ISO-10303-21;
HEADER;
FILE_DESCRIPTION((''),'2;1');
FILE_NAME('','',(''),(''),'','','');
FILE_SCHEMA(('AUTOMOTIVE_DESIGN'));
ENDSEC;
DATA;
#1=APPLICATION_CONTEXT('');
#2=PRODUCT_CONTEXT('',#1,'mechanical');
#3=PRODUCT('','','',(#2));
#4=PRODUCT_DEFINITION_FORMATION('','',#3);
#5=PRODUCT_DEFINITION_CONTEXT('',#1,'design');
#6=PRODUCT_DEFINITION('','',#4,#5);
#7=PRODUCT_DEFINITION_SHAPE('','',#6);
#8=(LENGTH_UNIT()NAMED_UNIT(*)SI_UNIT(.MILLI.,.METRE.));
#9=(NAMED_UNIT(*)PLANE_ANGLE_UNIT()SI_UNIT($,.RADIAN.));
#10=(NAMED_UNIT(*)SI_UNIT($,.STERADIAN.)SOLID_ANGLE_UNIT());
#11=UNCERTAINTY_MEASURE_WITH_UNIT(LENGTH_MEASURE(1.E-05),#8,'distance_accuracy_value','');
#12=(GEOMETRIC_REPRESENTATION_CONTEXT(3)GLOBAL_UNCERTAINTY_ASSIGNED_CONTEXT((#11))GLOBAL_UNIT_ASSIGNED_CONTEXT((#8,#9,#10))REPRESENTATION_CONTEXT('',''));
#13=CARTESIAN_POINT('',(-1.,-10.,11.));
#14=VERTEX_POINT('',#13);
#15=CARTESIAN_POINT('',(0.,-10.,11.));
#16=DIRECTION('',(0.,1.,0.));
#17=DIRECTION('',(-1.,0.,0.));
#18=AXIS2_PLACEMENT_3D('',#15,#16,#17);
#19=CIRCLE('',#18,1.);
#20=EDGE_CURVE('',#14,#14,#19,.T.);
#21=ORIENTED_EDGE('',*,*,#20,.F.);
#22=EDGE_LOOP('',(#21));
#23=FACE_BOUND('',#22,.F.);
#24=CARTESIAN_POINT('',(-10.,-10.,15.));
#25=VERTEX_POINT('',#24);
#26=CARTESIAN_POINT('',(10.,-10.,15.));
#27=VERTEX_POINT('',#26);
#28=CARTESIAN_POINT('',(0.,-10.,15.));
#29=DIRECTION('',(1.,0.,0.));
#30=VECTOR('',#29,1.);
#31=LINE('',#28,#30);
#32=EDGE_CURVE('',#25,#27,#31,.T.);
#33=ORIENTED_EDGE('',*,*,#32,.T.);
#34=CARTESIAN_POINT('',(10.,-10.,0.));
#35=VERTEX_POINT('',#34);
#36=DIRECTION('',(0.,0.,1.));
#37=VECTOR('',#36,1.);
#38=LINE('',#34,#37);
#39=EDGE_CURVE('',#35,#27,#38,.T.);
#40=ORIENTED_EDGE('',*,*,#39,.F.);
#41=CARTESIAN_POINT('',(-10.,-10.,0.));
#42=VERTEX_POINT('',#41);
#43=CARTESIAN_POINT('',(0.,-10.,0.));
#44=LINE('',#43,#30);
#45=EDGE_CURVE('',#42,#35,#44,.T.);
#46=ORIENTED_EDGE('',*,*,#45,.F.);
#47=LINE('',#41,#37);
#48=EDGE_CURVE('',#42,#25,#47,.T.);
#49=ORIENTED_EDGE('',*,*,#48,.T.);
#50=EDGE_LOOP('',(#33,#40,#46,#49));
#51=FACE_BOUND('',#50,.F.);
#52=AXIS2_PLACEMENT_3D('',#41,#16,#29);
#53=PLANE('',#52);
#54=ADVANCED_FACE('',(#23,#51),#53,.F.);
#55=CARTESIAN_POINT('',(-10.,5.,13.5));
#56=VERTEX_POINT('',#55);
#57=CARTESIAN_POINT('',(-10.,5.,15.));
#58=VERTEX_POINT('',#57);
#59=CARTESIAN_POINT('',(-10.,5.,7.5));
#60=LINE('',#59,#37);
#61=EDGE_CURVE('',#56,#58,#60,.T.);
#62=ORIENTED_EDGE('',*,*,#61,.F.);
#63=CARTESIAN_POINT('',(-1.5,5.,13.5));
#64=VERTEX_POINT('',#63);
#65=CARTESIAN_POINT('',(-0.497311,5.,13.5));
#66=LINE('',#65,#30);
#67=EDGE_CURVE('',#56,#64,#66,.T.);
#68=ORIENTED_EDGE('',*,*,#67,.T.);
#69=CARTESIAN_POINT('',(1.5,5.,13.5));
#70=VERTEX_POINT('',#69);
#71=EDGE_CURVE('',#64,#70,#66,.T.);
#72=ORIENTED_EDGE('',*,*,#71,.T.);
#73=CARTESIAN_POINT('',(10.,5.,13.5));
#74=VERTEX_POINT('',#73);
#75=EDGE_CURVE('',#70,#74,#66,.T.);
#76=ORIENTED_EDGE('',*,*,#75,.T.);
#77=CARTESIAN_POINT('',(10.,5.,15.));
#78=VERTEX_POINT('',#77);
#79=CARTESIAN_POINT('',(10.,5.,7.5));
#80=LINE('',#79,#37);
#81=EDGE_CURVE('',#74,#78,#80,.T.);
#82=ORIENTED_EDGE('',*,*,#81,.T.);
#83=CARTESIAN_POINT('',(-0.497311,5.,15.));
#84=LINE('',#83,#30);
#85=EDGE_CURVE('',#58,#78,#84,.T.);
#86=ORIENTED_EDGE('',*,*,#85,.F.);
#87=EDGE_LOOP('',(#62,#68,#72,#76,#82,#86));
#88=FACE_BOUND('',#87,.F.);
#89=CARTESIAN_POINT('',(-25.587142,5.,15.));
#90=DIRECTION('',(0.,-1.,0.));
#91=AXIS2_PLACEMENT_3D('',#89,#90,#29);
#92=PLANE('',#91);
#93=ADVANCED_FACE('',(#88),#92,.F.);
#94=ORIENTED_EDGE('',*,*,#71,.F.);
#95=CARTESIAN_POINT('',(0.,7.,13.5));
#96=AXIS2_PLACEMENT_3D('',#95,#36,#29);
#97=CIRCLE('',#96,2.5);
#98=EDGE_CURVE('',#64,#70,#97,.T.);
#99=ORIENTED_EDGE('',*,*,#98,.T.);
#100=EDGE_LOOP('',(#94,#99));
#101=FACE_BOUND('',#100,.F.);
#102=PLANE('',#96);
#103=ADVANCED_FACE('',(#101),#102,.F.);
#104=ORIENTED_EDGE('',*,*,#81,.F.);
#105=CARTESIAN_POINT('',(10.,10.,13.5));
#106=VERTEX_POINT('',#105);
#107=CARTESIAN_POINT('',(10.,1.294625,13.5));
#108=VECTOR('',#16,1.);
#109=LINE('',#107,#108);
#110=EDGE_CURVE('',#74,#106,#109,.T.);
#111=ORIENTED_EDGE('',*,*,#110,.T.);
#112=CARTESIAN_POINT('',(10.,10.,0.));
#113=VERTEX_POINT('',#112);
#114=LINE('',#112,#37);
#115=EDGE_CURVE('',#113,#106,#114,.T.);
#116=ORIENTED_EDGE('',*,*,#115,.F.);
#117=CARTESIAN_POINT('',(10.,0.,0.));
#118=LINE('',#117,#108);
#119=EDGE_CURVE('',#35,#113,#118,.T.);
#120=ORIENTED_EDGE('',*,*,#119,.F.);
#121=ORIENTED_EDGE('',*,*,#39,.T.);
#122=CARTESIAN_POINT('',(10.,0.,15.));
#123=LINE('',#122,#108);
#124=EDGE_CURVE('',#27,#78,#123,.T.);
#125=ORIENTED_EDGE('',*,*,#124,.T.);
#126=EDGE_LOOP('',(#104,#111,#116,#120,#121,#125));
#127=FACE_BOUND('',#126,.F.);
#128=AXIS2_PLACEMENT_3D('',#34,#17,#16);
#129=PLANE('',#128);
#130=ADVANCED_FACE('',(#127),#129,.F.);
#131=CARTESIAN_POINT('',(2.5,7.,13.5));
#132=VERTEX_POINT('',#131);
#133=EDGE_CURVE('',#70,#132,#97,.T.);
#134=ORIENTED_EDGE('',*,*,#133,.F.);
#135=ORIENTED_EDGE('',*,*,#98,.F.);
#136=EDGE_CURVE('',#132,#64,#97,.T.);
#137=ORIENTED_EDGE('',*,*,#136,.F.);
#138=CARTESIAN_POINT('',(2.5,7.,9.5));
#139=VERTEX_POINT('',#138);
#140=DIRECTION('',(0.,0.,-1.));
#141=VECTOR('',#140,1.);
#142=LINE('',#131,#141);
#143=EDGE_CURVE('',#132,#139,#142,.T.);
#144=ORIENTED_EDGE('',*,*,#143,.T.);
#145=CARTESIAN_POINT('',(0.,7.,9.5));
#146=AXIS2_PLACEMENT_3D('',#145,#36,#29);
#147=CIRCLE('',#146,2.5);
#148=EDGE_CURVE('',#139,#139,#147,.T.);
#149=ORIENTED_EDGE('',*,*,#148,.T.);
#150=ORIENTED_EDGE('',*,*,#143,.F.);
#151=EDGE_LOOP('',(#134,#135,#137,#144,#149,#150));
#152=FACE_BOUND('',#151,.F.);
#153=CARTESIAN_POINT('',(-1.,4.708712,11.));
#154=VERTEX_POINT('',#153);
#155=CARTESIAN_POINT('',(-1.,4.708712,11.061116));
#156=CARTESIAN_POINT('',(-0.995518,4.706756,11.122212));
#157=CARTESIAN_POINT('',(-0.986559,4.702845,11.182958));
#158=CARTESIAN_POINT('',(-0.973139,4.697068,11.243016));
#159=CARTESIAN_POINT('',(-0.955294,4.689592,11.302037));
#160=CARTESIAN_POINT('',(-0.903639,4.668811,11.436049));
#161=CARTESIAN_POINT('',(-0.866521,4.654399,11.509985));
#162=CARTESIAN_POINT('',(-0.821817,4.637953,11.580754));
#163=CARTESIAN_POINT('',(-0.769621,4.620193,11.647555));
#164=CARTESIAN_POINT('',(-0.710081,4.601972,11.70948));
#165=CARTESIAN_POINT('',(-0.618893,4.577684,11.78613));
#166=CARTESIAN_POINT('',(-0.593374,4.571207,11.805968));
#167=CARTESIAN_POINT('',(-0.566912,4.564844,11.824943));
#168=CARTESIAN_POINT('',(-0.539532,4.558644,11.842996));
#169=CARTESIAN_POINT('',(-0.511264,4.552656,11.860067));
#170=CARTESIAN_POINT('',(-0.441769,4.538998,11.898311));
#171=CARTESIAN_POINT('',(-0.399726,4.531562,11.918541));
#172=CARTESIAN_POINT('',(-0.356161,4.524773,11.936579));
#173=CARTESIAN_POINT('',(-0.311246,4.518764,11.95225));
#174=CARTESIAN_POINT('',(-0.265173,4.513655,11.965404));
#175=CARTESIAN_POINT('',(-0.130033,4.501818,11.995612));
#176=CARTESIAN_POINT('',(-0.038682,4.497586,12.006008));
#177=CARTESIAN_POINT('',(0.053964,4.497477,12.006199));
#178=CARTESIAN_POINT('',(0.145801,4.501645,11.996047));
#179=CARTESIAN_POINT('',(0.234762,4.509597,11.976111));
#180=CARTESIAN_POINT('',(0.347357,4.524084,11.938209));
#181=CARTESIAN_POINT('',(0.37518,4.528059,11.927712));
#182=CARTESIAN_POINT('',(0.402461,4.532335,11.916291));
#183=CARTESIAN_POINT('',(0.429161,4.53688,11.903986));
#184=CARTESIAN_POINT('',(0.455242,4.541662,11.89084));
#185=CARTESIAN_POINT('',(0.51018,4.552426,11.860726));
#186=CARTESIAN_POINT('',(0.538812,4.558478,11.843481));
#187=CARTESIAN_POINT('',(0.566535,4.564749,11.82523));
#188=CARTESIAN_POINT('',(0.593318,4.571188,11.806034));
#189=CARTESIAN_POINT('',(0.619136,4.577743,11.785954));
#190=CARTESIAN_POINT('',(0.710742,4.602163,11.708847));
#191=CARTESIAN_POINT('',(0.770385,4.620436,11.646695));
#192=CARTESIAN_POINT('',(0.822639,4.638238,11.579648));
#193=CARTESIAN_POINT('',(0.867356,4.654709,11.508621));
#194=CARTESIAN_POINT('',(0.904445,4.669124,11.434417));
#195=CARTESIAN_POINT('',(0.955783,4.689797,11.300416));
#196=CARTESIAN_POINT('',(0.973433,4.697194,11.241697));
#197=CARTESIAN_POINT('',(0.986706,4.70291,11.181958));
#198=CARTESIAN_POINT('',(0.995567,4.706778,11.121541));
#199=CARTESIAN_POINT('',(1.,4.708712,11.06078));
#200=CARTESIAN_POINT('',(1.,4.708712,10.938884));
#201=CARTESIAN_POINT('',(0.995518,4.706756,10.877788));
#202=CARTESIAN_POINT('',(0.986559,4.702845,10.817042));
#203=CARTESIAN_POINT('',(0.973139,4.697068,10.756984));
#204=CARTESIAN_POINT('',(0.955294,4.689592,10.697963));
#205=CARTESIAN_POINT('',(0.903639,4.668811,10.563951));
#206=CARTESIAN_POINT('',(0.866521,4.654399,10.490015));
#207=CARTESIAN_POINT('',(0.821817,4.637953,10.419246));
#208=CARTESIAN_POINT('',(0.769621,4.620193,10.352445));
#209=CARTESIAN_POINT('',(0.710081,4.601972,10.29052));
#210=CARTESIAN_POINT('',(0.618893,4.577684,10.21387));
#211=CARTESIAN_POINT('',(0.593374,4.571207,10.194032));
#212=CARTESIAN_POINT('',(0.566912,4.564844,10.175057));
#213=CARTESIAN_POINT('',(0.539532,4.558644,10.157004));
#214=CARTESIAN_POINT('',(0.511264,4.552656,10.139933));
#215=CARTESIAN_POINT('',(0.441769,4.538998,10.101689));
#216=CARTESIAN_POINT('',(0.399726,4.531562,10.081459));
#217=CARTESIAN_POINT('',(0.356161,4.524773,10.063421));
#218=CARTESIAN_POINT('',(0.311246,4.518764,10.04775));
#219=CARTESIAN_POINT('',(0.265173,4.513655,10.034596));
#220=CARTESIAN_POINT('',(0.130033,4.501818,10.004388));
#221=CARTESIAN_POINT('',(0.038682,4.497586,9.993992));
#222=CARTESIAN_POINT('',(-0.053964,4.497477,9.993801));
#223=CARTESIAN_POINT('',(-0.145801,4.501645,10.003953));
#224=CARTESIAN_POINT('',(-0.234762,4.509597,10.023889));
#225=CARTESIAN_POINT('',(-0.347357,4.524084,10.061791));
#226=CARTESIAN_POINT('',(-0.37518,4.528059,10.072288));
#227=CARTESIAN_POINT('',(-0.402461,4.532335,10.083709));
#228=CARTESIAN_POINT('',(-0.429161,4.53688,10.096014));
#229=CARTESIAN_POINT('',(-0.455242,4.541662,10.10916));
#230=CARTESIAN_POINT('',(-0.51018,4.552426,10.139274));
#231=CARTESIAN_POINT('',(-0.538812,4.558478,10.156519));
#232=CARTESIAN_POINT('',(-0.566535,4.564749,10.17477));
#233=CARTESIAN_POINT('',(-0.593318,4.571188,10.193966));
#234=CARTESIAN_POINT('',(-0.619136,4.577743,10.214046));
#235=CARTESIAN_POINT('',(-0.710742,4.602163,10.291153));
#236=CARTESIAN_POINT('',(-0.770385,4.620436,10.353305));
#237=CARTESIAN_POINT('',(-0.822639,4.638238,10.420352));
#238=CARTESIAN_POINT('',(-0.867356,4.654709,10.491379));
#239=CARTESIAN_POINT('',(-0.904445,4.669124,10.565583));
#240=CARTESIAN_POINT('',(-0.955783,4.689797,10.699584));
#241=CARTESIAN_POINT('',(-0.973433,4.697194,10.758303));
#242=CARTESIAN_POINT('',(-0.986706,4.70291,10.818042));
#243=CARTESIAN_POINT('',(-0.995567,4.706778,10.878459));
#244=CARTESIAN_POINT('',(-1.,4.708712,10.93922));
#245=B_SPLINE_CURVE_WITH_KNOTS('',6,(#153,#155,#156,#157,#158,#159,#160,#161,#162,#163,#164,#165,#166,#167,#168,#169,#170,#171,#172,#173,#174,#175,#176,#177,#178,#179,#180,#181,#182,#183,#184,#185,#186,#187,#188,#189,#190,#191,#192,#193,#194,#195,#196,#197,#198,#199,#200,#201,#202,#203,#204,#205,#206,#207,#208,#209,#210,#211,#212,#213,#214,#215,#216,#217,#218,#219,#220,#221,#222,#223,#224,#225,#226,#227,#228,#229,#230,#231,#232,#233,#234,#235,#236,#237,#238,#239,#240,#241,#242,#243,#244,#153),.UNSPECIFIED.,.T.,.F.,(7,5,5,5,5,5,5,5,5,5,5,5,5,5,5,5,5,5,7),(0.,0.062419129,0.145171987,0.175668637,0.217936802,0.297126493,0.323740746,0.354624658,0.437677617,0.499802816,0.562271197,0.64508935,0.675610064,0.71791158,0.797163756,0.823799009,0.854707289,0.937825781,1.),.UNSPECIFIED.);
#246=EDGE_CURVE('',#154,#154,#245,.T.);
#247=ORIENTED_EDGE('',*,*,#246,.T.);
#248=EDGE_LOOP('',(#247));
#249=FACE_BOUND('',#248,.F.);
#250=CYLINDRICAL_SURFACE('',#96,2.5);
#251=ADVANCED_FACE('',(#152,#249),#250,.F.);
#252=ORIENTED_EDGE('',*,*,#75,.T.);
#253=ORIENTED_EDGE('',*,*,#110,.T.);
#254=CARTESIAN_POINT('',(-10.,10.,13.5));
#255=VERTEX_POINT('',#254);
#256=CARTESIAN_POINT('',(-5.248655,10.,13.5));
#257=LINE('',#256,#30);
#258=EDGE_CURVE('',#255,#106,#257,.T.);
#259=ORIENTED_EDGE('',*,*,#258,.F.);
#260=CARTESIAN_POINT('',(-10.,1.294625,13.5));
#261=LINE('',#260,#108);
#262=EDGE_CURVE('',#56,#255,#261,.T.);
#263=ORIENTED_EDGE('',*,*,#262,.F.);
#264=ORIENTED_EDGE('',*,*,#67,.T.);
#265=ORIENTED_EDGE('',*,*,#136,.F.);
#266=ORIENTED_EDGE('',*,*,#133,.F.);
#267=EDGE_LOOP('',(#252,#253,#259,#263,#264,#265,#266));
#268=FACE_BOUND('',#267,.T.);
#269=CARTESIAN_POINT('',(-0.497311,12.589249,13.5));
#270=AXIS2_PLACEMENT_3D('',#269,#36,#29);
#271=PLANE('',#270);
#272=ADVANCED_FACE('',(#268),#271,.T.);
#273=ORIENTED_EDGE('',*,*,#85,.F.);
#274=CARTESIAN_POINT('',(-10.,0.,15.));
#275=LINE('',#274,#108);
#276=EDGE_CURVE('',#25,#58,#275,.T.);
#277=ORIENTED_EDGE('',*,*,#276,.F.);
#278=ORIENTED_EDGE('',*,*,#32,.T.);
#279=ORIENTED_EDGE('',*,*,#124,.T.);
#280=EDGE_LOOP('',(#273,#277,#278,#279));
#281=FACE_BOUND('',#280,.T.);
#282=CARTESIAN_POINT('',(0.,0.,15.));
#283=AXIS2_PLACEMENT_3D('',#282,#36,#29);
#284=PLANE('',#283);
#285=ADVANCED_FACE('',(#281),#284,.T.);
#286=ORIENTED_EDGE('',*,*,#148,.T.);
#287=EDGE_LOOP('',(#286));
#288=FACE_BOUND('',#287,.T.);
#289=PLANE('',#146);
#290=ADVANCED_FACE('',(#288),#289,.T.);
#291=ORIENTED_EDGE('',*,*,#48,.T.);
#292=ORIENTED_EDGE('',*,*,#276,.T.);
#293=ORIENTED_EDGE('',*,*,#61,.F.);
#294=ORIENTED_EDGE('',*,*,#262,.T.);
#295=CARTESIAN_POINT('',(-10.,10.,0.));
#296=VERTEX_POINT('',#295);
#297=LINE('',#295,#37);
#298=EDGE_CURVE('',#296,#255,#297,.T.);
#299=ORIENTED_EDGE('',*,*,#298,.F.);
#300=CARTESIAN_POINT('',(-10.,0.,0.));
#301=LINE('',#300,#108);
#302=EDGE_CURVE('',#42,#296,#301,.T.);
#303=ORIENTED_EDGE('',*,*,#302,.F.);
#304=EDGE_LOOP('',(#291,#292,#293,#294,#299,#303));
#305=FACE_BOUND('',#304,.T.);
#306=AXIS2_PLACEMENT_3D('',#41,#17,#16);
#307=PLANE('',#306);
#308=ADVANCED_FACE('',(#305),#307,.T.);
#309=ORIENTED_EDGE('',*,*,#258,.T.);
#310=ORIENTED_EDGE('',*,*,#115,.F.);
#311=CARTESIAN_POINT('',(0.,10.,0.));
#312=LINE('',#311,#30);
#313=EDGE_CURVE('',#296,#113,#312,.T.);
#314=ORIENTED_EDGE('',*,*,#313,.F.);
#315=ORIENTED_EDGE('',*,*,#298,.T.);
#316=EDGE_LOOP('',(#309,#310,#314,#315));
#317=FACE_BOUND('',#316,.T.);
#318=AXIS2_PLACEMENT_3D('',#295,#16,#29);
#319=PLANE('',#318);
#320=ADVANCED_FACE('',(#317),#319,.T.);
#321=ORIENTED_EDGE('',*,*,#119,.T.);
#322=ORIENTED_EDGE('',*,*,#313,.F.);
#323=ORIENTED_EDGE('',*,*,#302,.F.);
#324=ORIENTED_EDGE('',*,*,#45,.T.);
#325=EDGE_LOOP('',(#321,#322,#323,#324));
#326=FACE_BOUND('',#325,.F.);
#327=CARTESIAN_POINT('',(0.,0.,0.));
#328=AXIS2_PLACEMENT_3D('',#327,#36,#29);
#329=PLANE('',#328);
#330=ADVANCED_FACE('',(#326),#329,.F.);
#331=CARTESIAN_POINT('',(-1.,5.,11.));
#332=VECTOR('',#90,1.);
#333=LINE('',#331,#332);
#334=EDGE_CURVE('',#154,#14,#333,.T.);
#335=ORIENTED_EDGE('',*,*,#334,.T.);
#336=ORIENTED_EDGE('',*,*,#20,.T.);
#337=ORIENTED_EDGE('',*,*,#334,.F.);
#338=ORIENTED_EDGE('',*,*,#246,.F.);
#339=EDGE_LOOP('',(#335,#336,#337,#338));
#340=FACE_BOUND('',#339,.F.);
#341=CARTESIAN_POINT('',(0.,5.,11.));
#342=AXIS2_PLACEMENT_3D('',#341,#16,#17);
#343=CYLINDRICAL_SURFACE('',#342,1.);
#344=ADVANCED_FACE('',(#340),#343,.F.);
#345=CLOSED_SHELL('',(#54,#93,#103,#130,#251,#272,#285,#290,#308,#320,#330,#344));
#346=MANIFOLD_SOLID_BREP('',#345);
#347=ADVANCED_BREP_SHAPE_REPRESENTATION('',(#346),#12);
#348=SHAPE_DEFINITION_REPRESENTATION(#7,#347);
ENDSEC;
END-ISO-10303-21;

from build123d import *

# Parameters (mm, degrees)
F0_W     = 20
F0_H     = 20
F1_DEPTH = 15
F2_W     = 50.179663
F2_H     = 15.178498
F3_DEPTH = 1.5
F4_R     = 2.5
F5_DEPTH = 4
F6_R     = 1
F7_DEPTH = 25


with BuildPart() as f1:
    # F0 (on Top) → F1 (new body)
    with BuildSketch(Plane.XY):
        Rectangle(F0_W, F0_H)
    extrude(amount=F1_DEPTH)

    # F2 (on face) → F3 (cut)
    with BuildSketch(Plane.XY.offset(15)):
        with Locations((-0.497311, 12.589249)):
            Rectangle(F2_W, F2_H)
    extrude(amount=-F3_DEPTH, mode=Mode.SUBTRACT)

    # F4 (on face) → F5 (cut)
    with BuildSketch(Plane.XY.offset(13.5)):
        with Locations((0, 7)):
            Circle(F4_R)
    extrude(amount=-F5_DEPTH, mode=Mode.SUBTRACT)

    # F6 (on face) → F7 (cut)
    with BuildSketch(Plane(origin=(0, 5, 0), x_dir=(-1, 0, 0), z_dir=(0, 1, 0))):
        with Locations((0, 11)):
            Circle(F6_R)
    extrude(amount=-F7_DEPTH, mode=Mode.SUBTRACT)


solid = f1.part
